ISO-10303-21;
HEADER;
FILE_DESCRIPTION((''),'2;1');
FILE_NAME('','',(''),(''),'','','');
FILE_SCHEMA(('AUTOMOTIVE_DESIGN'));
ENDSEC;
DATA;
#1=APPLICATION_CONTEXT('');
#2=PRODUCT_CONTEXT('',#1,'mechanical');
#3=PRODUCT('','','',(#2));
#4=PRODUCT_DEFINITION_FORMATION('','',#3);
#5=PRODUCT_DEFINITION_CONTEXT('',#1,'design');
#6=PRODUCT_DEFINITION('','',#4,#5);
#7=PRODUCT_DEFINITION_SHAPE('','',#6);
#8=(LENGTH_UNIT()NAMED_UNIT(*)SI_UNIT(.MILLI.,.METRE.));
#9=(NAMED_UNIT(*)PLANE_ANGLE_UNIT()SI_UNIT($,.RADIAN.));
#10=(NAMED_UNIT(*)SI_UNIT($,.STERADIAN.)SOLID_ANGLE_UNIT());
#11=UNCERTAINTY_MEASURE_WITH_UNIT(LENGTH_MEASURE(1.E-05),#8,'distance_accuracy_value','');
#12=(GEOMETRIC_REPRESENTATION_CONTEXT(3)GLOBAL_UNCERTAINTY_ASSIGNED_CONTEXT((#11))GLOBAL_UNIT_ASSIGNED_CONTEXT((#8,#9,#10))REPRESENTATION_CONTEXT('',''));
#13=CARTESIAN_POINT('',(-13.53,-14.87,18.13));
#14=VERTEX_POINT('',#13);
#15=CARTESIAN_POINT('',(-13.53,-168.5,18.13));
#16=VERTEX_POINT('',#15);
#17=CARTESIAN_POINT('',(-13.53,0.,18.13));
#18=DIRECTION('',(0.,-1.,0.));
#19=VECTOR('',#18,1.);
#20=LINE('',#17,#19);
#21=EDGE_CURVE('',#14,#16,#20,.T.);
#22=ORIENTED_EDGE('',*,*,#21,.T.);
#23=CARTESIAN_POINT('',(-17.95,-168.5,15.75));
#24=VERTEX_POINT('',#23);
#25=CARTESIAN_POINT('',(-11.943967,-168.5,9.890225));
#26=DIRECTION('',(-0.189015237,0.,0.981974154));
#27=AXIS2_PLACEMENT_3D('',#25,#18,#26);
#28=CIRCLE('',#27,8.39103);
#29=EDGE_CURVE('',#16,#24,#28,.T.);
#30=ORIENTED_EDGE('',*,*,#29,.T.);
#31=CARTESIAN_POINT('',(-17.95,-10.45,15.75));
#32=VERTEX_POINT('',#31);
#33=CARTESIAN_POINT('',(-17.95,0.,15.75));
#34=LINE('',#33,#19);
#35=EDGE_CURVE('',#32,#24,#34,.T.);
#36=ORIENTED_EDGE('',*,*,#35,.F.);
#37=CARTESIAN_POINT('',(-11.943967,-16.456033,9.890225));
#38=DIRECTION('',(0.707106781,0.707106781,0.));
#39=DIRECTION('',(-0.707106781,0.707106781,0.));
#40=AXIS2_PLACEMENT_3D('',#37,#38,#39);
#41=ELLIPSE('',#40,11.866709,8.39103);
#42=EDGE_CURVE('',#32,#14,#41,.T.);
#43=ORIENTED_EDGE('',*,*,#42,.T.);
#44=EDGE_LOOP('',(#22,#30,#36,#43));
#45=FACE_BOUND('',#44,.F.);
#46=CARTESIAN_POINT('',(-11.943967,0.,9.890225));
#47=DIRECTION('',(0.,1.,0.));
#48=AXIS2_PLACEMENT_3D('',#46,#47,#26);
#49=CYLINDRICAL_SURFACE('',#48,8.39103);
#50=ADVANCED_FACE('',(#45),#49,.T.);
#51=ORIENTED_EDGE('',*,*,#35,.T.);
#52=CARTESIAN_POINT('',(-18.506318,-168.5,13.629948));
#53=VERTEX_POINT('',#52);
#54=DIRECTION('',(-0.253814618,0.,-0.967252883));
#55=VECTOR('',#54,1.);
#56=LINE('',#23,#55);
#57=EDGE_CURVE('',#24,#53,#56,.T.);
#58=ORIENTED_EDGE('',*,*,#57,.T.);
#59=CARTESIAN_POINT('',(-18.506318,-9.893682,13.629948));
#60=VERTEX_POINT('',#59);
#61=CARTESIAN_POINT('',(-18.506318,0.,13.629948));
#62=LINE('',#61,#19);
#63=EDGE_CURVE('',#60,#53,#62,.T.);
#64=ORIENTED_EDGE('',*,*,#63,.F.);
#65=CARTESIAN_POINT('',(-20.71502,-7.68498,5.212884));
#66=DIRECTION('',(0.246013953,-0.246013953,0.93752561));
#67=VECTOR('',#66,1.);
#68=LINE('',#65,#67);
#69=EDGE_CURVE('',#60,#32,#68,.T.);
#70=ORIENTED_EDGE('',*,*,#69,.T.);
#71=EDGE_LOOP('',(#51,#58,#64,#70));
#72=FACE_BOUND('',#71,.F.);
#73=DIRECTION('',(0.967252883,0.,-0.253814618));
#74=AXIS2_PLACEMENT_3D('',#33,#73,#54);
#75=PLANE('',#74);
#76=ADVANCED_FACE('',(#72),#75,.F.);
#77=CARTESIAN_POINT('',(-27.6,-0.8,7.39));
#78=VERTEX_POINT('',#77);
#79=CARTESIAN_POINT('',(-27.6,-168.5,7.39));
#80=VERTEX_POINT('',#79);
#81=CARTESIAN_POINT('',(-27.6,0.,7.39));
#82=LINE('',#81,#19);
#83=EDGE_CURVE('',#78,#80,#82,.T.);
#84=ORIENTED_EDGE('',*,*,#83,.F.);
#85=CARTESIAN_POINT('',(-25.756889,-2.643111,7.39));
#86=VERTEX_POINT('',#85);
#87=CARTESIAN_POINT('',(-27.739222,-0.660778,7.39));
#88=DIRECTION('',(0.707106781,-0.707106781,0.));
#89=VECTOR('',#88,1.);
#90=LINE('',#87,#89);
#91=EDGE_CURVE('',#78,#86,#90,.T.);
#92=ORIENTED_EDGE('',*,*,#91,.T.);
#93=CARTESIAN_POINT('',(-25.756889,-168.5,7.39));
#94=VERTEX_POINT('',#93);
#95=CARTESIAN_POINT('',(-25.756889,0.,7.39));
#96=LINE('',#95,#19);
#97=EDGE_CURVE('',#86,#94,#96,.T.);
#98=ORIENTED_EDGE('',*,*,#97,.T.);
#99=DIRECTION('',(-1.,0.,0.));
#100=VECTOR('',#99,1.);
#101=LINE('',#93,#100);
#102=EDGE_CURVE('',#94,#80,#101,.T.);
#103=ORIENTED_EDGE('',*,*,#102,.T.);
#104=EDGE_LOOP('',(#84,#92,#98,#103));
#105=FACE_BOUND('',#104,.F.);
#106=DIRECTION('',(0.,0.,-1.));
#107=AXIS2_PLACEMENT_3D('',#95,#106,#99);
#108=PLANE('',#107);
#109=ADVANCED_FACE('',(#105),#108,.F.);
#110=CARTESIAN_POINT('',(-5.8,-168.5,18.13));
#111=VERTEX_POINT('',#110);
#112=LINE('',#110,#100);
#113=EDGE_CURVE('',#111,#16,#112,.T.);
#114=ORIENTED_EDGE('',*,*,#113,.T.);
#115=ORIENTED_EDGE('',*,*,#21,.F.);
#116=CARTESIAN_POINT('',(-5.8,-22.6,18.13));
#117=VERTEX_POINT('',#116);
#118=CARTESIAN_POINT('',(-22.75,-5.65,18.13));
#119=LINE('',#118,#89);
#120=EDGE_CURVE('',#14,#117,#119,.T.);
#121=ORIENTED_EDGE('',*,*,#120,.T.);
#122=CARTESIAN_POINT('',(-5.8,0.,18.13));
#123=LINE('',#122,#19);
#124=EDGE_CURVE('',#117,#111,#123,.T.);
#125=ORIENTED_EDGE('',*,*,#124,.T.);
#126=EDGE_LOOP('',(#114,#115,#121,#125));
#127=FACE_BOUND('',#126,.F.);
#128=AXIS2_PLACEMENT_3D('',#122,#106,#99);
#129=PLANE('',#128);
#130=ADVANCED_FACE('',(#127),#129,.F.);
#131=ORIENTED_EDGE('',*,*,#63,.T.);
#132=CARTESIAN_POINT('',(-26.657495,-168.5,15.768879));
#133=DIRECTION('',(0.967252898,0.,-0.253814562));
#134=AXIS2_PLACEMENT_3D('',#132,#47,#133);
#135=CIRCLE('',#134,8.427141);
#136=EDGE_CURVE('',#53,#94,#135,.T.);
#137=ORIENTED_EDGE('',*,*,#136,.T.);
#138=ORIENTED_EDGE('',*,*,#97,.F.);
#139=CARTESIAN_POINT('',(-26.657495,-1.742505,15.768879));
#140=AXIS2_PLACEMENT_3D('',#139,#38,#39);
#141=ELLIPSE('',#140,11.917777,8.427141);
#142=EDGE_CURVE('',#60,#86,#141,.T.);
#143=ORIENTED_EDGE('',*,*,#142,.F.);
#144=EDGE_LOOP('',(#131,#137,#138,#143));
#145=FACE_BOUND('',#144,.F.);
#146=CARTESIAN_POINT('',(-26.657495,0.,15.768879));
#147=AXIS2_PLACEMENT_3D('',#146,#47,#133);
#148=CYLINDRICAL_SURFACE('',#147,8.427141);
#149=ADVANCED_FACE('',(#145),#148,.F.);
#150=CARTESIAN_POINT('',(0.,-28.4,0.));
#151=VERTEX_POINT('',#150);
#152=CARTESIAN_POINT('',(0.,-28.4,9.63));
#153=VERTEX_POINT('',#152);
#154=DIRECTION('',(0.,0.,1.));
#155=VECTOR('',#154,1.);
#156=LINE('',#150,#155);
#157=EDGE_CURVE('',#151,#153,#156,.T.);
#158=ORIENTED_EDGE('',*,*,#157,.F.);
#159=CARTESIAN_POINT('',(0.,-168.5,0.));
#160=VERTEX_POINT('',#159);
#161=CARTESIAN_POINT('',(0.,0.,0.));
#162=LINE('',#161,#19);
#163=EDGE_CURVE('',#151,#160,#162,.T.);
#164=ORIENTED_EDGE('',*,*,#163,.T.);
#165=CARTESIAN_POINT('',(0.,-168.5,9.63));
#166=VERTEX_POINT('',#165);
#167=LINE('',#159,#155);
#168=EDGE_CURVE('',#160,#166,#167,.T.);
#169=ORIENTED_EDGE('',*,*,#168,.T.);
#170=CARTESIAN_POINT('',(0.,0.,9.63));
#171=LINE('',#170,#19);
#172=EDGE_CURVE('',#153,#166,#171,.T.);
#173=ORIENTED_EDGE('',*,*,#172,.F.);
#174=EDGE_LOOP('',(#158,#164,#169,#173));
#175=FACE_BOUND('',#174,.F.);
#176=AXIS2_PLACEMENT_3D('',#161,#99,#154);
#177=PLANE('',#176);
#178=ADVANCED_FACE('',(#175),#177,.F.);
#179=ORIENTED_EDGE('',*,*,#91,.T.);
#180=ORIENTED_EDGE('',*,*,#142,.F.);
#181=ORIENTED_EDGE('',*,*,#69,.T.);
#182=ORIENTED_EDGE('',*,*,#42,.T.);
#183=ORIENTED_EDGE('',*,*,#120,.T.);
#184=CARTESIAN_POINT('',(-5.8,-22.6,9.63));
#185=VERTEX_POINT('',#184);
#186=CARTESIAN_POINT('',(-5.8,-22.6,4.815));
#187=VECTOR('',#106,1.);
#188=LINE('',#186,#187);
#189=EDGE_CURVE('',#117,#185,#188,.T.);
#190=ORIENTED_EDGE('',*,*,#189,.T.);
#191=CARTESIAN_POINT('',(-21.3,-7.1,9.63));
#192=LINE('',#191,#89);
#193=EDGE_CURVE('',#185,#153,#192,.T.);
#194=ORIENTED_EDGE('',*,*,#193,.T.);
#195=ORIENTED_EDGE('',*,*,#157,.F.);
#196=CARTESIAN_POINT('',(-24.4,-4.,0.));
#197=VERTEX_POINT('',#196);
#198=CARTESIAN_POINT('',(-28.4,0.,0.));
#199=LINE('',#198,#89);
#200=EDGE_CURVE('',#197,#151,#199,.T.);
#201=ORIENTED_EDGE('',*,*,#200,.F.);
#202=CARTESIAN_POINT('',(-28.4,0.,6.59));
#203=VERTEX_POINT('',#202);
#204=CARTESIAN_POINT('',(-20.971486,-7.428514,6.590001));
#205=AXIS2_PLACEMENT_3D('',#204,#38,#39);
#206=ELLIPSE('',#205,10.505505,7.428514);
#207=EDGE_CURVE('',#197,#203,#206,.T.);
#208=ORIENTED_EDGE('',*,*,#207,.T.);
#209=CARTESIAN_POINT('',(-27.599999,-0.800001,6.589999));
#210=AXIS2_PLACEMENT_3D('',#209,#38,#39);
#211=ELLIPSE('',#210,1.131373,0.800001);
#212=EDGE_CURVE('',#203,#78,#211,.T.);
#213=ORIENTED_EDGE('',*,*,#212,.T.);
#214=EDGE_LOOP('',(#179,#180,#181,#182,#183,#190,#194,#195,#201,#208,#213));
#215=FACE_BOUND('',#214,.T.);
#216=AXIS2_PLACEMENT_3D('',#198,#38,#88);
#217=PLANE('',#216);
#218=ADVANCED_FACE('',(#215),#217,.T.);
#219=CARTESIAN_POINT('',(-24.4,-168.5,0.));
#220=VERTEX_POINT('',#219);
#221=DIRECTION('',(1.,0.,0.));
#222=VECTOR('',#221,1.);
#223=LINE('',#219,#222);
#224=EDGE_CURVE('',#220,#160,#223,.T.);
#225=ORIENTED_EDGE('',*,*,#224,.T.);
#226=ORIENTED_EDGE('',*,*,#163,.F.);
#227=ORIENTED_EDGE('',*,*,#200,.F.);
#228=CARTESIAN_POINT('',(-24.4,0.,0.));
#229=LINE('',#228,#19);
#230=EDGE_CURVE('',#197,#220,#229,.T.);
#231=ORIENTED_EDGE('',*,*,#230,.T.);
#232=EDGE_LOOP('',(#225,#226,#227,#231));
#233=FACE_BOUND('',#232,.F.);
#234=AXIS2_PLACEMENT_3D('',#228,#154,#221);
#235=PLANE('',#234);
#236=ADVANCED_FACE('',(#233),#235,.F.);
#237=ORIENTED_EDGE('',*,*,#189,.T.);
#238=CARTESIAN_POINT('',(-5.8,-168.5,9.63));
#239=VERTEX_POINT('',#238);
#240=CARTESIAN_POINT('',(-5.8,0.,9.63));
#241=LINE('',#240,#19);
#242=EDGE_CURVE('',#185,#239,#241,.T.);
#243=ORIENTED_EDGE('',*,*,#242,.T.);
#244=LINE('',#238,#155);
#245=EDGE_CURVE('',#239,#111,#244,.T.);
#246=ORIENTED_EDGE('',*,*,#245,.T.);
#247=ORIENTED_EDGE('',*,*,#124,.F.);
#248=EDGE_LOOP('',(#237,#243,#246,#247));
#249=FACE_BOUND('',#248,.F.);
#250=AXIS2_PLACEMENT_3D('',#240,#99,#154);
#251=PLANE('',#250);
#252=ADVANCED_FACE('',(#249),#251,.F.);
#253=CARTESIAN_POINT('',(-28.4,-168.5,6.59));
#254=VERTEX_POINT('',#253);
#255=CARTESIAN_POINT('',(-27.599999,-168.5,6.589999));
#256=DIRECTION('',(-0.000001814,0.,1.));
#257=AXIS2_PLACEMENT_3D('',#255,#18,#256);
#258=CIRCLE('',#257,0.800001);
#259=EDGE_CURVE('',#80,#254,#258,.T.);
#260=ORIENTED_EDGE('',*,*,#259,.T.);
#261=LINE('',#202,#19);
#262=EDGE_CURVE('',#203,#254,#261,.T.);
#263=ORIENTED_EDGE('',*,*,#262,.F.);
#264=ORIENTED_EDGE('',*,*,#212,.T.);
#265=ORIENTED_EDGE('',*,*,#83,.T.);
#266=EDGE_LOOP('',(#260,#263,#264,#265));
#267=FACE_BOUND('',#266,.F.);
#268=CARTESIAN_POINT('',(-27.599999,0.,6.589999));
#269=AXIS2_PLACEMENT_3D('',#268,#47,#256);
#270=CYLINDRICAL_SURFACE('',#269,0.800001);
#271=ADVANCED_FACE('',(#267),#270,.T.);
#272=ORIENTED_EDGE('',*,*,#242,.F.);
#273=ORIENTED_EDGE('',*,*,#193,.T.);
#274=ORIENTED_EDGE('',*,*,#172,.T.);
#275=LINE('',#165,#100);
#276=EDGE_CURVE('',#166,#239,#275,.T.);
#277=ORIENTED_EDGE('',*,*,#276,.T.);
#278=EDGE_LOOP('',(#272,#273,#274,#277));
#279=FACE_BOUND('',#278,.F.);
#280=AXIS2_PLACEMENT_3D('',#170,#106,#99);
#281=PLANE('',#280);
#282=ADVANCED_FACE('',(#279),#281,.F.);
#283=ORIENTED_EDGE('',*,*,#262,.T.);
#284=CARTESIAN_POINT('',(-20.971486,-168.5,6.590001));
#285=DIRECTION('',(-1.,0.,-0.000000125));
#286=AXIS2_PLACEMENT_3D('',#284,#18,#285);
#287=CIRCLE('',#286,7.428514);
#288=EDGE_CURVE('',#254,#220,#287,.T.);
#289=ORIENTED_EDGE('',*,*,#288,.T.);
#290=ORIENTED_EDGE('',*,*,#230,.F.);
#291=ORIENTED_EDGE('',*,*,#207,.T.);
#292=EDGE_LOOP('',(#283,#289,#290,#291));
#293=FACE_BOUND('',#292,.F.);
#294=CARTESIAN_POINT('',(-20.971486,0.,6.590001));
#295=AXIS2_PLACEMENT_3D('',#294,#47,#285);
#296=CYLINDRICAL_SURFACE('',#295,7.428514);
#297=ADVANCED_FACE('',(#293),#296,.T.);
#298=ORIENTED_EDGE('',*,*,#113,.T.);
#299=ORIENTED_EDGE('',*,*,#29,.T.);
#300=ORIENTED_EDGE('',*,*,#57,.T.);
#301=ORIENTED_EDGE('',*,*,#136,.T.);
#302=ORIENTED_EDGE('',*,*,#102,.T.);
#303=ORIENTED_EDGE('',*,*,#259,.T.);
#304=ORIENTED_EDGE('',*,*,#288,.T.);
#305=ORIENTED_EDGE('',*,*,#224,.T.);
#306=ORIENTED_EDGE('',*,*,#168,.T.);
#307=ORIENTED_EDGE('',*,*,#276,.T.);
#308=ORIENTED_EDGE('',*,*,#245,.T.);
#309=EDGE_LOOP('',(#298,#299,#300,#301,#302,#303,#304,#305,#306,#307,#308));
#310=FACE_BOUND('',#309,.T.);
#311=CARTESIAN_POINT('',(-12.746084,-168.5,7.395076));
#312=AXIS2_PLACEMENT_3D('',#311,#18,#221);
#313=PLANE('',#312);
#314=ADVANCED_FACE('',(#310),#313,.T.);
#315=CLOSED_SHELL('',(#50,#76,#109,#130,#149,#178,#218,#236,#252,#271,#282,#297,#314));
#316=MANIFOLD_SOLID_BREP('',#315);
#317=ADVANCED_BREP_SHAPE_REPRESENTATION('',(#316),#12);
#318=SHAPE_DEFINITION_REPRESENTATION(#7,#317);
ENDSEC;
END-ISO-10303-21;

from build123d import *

# Parameters (mm, degrees)
F1_DEPTH = 168.5
F3_DEPTH = 25


with BuildPart() as f1:
    # F0 (on Front) → F1 (new body)
    with BuildSketch(Plane.XZ):
        with BuildLine():
            ThreePointArc((-28.4, 6.59), (-27.321745, 2.735519), (-24.4, 0))
            Line((-24.4, 0), (0, 0))
            Line((0, 0), (0, 9.63))
            Line((0, 9.63), (-5.8, 9.63))
            Line((-5.8, 9.63), (-5.8, 18.13))
            Line((-5.8, 18.13), (-13.53, 18.13))
            ThreePointArc((-13.53, 18.13), (-15.922153, 17.278285), (-17.95, 15.75))
            Line((-17.95, 15.75), (-18.506318, 13.629948))
            ThreePointArc((-18.506318, 13.629948), (-21.160411, 9.381487), (-25.756889, 7.39))
            Line((-25.756889, 7.39), (-27.6, 7.39))
            ThreePointArc((-27.6, 7.39), (-28.165685, 7.155685), (-28.4, 6.59))
        make_face()
    extrude(amount=F1_DEPTH)

    # F2 (on Top) → F3 (cut)
    with BuildSketch(Plane.XY):
        Polygon((-5.8, 0), (-28.4, 0), (-5.8, -22.6), align=None)
        Polygon((0, 0), (-5.8, 0), (-5.8, -22.6), (0, -28.4), align=None)
    extrude(amount=F3_DEPTH, mode=Mode.SUBTRACT)


solid = f1.part
